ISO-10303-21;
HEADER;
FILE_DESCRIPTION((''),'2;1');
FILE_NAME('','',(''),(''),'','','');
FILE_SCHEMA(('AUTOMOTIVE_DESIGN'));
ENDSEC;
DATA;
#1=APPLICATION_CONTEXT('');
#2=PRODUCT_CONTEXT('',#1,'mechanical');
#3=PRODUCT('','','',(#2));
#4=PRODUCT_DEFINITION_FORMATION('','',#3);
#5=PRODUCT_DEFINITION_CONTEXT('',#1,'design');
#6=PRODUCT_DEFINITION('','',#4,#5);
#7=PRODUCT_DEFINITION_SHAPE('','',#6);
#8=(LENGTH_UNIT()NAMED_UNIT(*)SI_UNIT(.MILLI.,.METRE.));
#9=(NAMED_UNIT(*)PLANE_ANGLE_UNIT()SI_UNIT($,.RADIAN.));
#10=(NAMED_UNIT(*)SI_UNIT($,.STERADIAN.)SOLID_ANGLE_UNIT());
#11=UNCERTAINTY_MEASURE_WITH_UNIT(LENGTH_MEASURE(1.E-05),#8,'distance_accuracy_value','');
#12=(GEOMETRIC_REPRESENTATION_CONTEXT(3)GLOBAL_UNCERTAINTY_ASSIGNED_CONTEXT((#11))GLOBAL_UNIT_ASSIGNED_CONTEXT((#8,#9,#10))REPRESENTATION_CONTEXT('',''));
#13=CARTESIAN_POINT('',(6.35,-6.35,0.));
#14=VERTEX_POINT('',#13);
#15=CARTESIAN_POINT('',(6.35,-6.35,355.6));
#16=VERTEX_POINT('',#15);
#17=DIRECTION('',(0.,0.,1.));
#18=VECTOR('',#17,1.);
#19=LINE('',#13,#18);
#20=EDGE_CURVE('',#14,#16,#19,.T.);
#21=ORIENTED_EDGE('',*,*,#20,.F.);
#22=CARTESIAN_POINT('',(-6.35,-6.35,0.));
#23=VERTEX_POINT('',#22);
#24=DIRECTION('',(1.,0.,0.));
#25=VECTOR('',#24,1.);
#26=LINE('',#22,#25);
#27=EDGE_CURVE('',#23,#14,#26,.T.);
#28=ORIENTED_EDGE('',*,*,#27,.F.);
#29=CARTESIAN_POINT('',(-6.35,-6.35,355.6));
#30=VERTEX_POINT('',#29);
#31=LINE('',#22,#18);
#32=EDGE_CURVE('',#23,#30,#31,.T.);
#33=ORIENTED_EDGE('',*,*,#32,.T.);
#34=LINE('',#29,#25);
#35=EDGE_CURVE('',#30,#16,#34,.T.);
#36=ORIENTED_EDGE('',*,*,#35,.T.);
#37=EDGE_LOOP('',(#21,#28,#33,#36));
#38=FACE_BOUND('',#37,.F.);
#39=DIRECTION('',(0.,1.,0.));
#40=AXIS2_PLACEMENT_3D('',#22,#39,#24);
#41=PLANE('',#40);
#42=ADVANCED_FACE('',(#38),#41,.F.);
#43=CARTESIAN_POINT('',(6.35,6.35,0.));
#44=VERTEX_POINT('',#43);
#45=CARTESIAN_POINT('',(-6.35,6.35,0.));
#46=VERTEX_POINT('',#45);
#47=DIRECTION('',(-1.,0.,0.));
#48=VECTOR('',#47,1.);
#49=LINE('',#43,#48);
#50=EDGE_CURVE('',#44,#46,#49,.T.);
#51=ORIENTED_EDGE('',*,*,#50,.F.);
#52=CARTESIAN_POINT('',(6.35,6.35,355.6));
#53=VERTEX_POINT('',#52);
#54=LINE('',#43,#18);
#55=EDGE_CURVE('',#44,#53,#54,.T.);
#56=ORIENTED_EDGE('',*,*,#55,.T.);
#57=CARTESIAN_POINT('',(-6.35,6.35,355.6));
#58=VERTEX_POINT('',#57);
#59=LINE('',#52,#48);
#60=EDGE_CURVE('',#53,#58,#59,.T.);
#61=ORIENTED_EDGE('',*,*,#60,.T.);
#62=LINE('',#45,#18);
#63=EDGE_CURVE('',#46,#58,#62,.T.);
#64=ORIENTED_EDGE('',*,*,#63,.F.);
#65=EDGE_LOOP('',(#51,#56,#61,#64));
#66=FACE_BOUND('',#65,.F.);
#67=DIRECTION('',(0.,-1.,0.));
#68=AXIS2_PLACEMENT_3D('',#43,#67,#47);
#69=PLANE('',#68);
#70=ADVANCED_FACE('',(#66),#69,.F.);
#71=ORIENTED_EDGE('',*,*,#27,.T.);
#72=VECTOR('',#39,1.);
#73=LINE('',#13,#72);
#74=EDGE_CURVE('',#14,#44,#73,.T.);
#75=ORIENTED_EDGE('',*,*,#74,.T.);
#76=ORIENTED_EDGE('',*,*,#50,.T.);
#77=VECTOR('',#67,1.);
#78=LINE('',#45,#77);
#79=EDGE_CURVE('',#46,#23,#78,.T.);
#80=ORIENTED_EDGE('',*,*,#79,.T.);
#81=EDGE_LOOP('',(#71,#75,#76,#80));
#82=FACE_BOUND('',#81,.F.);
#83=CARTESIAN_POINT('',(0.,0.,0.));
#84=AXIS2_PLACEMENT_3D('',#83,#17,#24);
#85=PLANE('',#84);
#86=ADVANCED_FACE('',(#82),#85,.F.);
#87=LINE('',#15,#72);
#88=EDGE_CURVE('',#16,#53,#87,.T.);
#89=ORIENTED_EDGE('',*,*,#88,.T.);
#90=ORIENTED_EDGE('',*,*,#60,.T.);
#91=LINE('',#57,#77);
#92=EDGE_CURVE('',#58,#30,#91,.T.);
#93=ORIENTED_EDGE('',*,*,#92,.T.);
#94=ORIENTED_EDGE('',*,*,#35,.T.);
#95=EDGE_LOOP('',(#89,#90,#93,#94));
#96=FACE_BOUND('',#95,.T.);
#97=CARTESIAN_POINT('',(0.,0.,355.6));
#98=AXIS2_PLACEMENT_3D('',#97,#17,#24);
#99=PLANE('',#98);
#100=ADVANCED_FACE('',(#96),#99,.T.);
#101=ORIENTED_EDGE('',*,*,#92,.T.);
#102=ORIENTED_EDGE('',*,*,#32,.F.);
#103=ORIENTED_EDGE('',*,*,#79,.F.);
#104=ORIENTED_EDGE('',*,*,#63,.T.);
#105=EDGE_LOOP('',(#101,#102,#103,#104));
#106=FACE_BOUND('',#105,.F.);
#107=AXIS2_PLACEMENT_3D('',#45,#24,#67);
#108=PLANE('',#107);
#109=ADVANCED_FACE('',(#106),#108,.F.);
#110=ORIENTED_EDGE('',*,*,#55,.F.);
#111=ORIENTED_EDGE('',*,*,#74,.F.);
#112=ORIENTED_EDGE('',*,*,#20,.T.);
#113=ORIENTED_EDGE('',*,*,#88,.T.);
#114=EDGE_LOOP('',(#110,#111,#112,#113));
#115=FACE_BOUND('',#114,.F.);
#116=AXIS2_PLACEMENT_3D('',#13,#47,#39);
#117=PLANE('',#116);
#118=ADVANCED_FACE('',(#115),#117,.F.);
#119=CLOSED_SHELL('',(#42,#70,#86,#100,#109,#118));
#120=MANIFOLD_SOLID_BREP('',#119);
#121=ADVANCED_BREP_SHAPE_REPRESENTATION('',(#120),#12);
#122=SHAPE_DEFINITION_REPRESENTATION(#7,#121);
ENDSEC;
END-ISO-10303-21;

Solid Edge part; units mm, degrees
sketch "Sketch1" plane through (0, 0, 0) normal (0, 0, 1) x (1, 0, 0)
  line L0 (-6.35, -6.35) -> (6.35, -6.35)
  line L1 (6.35, -6.35) -> (6.35, 6.35)
  line L2 (6.35, 6.35) -> (-6.35, 6.35)
  line L3 (-6.35, 6.35) -> (-6.35, -6.35)
  dimension "D1" = 12.7
  dimension "D2" = 12.7
  dimension "D3" = 6.35
  dimension "D4" = 6.35
extrude "Protrusion1" add sketch "Sketch1" along normal blind 355.6
